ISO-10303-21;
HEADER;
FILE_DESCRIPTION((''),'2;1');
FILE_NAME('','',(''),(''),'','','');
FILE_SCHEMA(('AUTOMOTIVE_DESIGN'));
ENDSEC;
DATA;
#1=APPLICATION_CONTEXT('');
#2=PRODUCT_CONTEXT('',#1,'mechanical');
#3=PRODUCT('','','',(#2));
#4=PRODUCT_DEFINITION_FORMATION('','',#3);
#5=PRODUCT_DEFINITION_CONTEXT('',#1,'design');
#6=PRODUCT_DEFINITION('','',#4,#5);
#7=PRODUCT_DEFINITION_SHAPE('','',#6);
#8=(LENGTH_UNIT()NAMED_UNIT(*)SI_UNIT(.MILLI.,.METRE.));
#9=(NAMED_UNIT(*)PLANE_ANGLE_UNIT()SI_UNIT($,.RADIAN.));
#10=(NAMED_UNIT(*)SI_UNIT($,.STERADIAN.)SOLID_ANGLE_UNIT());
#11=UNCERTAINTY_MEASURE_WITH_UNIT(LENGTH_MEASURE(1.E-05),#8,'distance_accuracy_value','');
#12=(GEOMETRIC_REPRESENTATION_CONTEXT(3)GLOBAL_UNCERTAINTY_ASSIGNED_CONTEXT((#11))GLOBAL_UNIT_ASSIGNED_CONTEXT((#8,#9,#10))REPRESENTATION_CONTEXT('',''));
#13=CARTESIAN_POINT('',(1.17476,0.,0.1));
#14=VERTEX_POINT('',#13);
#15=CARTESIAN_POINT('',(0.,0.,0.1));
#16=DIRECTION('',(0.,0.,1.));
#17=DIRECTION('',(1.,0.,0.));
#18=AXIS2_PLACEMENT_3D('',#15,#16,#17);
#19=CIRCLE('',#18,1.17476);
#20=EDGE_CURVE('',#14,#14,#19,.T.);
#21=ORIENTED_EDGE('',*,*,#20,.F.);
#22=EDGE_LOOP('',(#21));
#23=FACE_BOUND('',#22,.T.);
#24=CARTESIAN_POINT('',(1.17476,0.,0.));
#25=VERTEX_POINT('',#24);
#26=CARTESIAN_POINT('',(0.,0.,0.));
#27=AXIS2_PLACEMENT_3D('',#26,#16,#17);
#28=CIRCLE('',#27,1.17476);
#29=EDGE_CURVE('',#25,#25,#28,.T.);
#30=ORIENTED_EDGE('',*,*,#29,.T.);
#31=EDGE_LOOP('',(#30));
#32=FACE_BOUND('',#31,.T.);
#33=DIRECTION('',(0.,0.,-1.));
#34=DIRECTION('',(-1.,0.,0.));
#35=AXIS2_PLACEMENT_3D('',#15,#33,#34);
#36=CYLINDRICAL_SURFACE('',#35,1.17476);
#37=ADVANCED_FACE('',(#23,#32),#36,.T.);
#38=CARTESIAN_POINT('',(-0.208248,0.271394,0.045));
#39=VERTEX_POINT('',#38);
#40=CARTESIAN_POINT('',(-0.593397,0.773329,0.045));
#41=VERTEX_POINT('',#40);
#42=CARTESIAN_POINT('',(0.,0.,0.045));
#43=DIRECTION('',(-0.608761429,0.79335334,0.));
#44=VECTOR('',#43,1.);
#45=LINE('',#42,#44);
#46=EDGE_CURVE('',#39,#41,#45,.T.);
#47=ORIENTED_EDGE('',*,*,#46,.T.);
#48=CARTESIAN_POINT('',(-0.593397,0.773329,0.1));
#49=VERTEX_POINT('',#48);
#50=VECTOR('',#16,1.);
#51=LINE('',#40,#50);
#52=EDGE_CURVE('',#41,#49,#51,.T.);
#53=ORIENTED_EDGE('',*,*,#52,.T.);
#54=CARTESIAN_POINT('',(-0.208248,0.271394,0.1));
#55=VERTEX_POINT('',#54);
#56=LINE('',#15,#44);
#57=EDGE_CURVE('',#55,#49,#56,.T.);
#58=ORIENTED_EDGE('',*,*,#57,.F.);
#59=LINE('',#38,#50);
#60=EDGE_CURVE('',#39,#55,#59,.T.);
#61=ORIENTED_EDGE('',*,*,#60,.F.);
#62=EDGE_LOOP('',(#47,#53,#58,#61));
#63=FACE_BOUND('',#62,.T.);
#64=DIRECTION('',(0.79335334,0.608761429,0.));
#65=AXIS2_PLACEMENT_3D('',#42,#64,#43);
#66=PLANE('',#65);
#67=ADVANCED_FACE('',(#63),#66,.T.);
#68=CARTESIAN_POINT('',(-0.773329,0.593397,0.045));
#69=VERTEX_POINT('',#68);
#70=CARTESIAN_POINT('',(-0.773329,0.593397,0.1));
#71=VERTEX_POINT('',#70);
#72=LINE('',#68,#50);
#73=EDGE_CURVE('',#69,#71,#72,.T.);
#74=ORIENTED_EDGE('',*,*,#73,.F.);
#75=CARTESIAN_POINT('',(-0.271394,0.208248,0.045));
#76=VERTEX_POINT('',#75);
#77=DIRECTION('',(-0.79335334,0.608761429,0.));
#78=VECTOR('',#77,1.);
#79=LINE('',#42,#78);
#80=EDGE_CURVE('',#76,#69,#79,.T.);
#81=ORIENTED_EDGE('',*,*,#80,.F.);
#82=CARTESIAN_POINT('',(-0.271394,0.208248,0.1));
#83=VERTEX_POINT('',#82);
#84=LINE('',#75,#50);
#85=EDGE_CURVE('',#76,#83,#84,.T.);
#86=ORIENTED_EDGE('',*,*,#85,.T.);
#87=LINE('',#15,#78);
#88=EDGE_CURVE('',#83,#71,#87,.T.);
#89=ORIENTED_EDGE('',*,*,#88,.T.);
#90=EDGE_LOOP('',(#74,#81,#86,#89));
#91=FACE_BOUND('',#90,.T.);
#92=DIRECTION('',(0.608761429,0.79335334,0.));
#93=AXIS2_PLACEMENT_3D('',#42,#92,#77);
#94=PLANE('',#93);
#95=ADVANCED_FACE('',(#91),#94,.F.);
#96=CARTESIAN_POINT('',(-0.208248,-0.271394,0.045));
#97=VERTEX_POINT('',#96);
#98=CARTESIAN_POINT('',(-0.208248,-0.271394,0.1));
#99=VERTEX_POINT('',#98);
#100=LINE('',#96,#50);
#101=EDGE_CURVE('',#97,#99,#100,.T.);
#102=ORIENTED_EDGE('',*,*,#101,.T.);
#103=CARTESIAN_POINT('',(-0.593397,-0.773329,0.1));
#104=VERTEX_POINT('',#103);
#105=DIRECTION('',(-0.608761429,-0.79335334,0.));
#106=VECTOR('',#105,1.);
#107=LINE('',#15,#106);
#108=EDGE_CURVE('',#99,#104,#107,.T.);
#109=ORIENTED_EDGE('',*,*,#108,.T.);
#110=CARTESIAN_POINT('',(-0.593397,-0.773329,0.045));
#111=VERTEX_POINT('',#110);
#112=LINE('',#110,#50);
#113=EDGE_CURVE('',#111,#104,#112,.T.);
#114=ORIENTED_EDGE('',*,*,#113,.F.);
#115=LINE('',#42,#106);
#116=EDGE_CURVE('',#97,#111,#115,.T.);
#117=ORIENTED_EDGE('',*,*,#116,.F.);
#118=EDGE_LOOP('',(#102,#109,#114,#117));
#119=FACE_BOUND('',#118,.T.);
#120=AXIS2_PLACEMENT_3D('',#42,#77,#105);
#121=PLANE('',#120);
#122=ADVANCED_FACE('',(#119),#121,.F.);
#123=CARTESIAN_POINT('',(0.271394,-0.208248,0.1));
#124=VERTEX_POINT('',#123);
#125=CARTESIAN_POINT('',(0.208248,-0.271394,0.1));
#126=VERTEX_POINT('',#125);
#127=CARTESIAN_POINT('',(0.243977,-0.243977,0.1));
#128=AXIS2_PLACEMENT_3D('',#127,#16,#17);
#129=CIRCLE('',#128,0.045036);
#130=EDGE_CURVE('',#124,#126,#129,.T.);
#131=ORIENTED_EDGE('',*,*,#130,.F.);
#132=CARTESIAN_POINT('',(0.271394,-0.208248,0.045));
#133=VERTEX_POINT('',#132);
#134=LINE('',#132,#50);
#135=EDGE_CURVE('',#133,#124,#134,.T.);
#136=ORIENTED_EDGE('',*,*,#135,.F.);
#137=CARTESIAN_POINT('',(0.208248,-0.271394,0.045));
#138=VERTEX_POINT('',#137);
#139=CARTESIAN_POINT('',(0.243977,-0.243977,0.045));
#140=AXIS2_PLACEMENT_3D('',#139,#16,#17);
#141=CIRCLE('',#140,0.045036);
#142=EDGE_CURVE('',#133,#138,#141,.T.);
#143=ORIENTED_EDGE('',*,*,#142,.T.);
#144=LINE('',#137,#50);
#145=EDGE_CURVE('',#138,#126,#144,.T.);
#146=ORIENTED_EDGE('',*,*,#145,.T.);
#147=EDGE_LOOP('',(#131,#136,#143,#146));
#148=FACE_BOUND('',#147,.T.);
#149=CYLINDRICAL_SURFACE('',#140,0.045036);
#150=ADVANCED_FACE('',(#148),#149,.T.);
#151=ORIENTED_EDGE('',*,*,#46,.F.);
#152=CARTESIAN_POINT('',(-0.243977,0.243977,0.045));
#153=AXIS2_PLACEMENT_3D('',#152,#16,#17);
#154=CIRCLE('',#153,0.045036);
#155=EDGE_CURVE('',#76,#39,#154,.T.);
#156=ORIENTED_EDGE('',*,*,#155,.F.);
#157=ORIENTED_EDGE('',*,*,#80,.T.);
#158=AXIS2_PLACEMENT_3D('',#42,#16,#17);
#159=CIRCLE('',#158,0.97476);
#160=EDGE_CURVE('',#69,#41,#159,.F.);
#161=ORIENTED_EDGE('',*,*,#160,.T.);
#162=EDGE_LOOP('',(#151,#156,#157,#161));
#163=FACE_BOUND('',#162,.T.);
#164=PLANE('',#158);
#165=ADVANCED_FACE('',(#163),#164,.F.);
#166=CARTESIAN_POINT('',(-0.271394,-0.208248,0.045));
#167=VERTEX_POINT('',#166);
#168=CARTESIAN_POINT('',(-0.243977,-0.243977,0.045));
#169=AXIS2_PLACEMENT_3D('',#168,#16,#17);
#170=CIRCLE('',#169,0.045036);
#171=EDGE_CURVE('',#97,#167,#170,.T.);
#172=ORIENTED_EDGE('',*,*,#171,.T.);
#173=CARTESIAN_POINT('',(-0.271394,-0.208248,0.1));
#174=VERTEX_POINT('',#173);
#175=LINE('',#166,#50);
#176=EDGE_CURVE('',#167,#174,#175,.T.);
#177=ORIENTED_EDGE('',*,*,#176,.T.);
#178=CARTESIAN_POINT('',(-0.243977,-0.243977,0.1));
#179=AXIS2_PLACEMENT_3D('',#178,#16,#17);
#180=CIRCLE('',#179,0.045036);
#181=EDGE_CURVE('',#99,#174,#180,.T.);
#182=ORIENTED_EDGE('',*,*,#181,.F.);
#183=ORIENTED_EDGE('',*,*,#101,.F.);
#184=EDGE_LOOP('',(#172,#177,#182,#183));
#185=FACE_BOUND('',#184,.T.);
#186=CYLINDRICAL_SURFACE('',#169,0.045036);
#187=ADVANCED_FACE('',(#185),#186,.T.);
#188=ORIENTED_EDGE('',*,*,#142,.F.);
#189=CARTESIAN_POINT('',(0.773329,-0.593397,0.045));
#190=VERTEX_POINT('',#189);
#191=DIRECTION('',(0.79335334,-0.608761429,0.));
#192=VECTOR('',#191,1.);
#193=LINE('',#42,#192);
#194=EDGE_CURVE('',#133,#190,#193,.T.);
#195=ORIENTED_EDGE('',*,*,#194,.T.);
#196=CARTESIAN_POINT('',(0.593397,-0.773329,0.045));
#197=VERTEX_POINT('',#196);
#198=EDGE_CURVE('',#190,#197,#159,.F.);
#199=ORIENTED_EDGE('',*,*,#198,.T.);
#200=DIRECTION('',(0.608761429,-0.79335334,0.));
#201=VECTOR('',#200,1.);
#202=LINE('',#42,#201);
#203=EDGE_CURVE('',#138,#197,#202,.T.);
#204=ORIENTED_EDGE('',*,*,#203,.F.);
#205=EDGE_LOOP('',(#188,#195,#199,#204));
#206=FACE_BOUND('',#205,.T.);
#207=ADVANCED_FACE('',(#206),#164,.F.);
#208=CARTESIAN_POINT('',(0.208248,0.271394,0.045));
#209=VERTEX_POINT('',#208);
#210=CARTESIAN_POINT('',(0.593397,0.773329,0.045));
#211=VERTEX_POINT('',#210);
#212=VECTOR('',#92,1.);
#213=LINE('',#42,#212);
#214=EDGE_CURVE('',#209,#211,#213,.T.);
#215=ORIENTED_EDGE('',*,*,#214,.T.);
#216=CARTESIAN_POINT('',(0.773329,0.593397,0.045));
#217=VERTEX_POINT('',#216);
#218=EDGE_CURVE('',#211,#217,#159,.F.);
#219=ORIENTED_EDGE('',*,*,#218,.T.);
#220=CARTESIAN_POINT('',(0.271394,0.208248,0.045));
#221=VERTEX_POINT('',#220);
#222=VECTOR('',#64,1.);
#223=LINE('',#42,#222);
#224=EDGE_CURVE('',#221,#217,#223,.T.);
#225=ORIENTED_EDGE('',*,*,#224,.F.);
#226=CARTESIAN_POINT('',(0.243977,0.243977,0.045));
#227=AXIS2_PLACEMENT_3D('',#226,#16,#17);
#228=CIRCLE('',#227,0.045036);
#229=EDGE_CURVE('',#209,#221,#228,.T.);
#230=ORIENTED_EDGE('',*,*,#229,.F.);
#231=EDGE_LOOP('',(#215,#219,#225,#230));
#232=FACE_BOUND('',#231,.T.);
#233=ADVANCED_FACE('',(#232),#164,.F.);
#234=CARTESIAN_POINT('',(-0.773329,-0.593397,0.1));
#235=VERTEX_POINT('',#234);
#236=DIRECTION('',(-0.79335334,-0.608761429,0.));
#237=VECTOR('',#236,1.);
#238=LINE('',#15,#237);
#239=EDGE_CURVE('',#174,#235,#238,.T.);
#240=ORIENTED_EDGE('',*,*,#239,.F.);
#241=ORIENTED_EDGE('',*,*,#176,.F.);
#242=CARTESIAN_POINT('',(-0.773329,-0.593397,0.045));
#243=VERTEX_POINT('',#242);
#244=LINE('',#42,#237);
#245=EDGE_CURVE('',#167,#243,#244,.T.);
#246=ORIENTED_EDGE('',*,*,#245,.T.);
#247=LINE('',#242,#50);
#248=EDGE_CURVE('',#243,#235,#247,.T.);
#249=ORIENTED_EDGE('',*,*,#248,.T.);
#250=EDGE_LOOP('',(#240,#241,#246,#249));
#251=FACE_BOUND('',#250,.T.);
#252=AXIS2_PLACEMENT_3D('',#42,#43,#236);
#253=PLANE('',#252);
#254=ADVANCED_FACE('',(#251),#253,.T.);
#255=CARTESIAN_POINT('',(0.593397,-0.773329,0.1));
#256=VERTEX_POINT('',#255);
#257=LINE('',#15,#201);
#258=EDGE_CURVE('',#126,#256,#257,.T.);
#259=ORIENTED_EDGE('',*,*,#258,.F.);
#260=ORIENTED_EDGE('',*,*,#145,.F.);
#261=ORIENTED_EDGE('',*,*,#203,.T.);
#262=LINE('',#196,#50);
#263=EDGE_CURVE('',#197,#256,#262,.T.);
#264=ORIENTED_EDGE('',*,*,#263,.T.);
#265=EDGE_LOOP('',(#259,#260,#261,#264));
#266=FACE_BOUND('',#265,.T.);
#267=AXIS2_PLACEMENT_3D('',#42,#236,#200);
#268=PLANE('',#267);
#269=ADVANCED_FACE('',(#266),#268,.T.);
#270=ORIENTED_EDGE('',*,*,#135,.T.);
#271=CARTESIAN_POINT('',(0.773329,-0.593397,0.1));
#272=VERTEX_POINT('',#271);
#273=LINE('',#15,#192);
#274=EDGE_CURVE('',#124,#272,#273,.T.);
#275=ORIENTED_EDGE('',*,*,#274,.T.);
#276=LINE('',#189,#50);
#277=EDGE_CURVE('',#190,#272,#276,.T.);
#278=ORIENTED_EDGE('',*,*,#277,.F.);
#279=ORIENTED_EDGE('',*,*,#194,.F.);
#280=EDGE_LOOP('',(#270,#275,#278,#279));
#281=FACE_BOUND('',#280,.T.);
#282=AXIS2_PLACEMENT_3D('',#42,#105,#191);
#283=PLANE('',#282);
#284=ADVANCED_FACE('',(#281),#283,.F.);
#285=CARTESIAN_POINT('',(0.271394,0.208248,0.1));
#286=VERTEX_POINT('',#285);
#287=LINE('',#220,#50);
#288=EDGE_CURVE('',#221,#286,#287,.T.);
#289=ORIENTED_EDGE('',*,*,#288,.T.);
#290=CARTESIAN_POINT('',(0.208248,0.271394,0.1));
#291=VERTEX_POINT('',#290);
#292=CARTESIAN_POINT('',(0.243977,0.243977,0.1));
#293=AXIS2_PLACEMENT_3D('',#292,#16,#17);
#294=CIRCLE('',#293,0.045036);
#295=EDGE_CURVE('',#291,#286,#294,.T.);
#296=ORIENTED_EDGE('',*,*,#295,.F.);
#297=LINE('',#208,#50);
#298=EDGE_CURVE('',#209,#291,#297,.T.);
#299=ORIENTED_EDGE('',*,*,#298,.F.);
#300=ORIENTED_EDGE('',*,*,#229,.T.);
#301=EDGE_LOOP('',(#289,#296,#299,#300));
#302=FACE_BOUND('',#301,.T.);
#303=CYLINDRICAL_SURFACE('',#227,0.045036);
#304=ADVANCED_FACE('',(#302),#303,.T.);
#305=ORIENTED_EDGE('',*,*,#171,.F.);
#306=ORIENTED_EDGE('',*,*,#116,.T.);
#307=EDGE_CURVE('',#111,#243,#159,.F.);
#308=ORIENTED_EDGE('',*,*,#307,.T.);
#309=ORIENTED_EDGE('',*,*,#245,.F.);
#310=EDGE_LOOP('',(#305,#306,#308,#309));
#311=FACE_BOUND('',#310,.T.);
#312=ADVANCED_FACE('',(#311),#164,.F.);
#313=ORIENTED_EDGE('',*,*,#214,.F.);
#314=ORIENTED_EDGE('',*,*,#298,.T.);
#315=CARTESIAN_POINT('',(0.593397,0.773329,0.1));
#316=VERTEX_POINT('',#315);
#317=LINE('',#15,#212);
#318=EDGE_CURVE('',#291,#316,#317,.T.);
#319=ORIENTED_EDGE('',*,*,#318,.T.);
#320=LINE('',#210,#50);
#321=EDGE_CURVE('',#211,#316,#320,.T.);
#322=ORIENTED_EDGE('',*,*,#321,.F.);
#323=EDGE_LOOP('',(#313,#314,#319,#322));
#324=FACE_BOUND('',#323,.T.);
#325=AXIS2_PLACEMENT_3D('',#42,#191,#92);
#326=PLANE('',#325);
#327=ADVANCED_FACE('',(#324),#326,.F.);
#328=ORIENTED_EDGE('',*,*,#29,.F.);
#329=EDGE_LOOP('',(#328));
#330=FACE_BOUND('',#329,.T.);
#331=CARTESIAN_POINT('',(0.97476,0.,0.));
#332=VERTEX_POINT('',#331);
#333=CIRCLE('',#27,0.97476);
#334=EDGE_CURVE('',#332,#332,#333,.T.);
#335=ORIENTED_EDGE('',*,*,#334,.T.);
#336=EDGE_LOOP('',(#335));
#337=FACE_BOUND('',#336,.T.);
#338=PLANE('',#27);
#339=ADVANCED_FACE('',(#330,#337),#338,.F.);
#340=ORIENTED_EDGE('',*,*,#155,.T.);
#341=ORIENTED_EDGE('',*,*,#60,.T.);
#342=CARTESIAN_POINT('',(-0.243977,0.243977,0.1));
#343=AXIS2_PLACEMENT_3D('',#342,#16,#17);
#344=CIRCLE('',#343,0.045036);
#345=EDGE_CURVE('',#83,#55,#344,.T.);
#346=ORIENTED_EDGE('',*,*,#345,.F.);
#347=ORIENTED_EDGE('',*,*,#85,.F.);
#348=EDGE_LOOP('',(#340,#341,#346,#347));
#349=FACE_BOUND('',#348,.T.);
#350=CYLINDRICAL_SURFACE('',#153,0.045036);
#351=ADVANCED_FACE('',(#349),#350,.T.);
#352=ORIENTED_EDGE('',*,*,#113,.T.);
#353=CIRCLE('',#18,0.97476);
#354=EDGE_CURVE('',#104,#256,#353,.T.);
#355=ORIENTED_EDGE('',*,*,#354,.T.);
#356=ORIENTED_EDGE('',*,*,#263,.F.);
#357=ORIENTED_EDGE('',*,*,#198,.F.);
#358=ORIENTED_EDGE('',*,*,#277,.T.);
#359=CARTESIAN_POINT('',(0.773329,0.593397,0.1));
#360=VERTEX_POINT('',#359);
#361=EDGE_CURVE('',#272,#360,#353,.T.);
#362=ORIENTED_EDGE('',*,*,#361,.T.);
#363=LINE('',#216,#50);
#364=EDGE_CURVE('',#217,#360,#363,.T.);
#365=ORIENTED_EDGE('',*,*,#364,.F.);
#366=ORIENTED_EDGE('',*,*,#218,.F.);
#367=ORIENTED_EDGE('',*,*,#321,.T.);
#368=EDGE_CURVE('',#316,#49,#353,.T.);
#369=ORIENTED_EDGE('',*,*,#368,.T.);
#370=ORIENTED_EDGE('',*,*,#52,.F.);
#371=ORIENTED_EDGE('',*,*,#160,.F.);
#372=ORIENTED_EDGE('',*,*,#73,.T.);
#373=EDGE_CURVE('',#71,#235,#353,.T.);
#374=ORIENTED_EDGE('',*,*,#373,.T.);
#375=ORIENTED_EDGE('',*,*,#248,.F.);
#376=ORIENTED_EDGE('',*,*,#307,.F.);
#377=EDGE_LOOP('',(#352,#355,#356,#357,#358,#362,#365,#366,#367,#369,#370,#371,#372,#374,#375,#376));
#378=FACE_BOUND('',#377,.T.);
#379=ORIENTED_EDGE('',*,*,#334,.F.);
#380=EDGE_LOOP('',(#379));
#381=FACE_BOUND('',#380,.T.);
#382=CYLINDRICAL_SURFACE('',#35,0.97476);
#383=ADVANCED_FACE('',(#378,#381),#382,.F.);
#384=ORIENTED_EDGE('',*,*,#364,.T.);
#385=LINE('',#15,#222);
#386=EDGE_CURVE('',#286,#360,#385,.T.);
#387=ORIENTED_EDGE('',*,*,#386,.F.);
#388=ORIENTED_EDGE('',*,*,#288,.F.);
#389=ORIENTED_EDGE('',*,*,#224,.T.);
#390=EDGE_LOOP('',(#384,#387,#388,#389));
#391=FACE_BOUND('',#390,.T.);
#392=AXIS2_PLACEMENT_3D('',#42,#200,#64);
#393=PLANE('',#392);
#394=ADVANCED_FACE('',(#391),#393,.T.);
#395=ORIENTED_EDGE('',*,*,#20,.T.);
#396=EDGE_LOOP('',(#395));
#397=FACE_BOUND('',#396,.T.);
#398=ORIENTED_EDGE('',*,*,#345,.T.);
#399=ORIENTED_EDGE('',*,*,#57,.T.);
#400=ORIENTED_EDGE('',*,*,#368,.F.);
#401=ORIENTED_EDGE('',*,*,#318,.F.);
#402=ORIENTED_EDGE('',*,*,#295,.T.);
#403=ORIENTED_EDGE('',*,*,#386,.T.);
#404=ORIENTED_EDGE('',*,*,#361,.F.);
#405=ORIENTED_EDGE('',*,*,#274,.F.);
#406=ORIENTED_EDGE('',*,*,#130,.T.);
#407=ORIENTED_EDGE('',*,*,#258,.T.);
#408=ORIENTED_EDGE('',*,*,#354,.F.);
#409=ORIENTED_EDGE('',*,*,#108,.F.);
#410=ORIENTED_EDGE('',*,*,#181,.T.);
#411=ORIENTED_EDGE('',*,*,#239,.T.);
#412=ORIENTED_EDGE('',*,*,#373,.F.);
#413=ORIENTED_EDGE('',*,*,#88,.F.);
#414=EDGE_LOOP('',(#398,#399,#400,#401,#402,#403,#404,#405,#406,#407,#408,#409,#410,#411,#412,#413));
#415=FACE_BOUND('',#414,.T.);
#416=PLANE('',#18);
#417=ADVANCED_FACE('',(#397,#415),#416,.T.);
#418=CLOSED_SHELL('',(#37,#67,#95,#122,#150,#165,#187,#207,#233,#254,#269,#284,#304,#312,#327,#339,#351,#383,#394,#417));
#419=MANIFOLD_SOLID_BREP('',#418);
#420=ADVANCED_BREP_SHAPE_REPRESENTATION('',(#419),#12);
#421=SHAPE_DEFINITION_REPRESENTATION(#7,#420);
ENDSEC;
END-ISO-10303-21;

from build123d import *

# Parameters (mm, degrees)
SKETCH_1_R      = 1.174760425
SKETCH_1_R_2    = 0.974760425
EXTRUDE_1_DEPTH = 0.1
EXTRUDE_START   = -0.055
EXTRUDE_2_DEPTH = 0.055


with BuildPart() as part:
    # 草圖1 → 填料-伸長1 (new body)
    with BuildSketch(Plane.XY):
        Circle(SKETCH_1_R)
        Circle(SKETCH_1_R_2, mode=Mode.SUBTRACT)
    extrude(amount=EXTRUDE_1_DEPTH)

    # 草圖2 → 填料-伸長2 (add)
    with BuildSketch(Plane.XY.offset(0.1).offset(EXTRUDE_START)):
        with BuildLine():
            Line((-0.208247811, 0.271393831), (-0.59339655, 0.77332944))
            ThreePointArc((-0.59339655, 0.77332944), (-0.689259707, 0.689259707), (-0.77332944, 0.59339655))
            Line((-0.77332944, 0.59339655), (-0.271393831, 0.208247811))
            ThreePointArc((-0.271393831, 0.208247811), (-0.241031974, 0.199037642), (-0.212132034, 0.212132034))
            ThreePointArc((-0.212132034, 0.212132034), (-0.199037642, 0.241031974), (-0.208247811, 0.271393831))
        make_face()
        with BuildLine():
            ThreePointArc((0.208247811, 0.271393831), (0.199037642, 0.241031974), (0.212132034, 0.212132034))
            ThreePointArc((0.212132034, 0.212132034), (0.241031974, 0.199037642), (0.271393831, 0.208247811))
            Line((0.271393831, 0.208247811), (0.77332944, 0.59339655))
            ThreePointArc((0.77332944, 0.59339655), (0.689259707, 0.689259707), (0.59339655, 0.77332944))
            Line((0.59339655, 0.77332944), (0.208247811, 0.271393831))
        make_face()
        with BuildLine():
            ThreePointArc((0.271393831, -0.208247811), (0.241031974, -0.199037642), (0.212132034, -0.212132034))
            ThreePointArc((0.212132034, -0.212132034), (0.199037642, -0.241031974), (0.208247811, -0.271393831))
            Line((0.208247811, -0.271393831), (0.59339655, -0.77332944))
            ThreePointArc((0.59339655, -0.77332944), (0.689259707, -0.689259707), (0.77332944, -0.59339655))
            Line((0.77332944, -0.59339655), (0.271393831, -0.208247811))
        make_face()
        with BuildLine():
            ThreePointArc((-0.208247811, -0.271393831), (-0.199037642, -0.241031974), (-0.212132034, -0.212132034))
            ThreePointArc((-0.212132034, -0.212132034), (-0.241031974, -0.199037642), (-0.271393831, -0.208247811))
            Line((-0.271393831, -0.208247811), (-0.77332944, -0.59339655))
            ThreePointArc((-0.77332944, -0.59339655), (-0.689259707, -0.689259707), (-0.59339655, -0.77332944))
            Line((-0.59339655, -0.77332944), (-0.208247811, -0.271393831))
        make_face()
    extrude(amount=EXTRUDE_2_DEPTH)


solid = part.part
